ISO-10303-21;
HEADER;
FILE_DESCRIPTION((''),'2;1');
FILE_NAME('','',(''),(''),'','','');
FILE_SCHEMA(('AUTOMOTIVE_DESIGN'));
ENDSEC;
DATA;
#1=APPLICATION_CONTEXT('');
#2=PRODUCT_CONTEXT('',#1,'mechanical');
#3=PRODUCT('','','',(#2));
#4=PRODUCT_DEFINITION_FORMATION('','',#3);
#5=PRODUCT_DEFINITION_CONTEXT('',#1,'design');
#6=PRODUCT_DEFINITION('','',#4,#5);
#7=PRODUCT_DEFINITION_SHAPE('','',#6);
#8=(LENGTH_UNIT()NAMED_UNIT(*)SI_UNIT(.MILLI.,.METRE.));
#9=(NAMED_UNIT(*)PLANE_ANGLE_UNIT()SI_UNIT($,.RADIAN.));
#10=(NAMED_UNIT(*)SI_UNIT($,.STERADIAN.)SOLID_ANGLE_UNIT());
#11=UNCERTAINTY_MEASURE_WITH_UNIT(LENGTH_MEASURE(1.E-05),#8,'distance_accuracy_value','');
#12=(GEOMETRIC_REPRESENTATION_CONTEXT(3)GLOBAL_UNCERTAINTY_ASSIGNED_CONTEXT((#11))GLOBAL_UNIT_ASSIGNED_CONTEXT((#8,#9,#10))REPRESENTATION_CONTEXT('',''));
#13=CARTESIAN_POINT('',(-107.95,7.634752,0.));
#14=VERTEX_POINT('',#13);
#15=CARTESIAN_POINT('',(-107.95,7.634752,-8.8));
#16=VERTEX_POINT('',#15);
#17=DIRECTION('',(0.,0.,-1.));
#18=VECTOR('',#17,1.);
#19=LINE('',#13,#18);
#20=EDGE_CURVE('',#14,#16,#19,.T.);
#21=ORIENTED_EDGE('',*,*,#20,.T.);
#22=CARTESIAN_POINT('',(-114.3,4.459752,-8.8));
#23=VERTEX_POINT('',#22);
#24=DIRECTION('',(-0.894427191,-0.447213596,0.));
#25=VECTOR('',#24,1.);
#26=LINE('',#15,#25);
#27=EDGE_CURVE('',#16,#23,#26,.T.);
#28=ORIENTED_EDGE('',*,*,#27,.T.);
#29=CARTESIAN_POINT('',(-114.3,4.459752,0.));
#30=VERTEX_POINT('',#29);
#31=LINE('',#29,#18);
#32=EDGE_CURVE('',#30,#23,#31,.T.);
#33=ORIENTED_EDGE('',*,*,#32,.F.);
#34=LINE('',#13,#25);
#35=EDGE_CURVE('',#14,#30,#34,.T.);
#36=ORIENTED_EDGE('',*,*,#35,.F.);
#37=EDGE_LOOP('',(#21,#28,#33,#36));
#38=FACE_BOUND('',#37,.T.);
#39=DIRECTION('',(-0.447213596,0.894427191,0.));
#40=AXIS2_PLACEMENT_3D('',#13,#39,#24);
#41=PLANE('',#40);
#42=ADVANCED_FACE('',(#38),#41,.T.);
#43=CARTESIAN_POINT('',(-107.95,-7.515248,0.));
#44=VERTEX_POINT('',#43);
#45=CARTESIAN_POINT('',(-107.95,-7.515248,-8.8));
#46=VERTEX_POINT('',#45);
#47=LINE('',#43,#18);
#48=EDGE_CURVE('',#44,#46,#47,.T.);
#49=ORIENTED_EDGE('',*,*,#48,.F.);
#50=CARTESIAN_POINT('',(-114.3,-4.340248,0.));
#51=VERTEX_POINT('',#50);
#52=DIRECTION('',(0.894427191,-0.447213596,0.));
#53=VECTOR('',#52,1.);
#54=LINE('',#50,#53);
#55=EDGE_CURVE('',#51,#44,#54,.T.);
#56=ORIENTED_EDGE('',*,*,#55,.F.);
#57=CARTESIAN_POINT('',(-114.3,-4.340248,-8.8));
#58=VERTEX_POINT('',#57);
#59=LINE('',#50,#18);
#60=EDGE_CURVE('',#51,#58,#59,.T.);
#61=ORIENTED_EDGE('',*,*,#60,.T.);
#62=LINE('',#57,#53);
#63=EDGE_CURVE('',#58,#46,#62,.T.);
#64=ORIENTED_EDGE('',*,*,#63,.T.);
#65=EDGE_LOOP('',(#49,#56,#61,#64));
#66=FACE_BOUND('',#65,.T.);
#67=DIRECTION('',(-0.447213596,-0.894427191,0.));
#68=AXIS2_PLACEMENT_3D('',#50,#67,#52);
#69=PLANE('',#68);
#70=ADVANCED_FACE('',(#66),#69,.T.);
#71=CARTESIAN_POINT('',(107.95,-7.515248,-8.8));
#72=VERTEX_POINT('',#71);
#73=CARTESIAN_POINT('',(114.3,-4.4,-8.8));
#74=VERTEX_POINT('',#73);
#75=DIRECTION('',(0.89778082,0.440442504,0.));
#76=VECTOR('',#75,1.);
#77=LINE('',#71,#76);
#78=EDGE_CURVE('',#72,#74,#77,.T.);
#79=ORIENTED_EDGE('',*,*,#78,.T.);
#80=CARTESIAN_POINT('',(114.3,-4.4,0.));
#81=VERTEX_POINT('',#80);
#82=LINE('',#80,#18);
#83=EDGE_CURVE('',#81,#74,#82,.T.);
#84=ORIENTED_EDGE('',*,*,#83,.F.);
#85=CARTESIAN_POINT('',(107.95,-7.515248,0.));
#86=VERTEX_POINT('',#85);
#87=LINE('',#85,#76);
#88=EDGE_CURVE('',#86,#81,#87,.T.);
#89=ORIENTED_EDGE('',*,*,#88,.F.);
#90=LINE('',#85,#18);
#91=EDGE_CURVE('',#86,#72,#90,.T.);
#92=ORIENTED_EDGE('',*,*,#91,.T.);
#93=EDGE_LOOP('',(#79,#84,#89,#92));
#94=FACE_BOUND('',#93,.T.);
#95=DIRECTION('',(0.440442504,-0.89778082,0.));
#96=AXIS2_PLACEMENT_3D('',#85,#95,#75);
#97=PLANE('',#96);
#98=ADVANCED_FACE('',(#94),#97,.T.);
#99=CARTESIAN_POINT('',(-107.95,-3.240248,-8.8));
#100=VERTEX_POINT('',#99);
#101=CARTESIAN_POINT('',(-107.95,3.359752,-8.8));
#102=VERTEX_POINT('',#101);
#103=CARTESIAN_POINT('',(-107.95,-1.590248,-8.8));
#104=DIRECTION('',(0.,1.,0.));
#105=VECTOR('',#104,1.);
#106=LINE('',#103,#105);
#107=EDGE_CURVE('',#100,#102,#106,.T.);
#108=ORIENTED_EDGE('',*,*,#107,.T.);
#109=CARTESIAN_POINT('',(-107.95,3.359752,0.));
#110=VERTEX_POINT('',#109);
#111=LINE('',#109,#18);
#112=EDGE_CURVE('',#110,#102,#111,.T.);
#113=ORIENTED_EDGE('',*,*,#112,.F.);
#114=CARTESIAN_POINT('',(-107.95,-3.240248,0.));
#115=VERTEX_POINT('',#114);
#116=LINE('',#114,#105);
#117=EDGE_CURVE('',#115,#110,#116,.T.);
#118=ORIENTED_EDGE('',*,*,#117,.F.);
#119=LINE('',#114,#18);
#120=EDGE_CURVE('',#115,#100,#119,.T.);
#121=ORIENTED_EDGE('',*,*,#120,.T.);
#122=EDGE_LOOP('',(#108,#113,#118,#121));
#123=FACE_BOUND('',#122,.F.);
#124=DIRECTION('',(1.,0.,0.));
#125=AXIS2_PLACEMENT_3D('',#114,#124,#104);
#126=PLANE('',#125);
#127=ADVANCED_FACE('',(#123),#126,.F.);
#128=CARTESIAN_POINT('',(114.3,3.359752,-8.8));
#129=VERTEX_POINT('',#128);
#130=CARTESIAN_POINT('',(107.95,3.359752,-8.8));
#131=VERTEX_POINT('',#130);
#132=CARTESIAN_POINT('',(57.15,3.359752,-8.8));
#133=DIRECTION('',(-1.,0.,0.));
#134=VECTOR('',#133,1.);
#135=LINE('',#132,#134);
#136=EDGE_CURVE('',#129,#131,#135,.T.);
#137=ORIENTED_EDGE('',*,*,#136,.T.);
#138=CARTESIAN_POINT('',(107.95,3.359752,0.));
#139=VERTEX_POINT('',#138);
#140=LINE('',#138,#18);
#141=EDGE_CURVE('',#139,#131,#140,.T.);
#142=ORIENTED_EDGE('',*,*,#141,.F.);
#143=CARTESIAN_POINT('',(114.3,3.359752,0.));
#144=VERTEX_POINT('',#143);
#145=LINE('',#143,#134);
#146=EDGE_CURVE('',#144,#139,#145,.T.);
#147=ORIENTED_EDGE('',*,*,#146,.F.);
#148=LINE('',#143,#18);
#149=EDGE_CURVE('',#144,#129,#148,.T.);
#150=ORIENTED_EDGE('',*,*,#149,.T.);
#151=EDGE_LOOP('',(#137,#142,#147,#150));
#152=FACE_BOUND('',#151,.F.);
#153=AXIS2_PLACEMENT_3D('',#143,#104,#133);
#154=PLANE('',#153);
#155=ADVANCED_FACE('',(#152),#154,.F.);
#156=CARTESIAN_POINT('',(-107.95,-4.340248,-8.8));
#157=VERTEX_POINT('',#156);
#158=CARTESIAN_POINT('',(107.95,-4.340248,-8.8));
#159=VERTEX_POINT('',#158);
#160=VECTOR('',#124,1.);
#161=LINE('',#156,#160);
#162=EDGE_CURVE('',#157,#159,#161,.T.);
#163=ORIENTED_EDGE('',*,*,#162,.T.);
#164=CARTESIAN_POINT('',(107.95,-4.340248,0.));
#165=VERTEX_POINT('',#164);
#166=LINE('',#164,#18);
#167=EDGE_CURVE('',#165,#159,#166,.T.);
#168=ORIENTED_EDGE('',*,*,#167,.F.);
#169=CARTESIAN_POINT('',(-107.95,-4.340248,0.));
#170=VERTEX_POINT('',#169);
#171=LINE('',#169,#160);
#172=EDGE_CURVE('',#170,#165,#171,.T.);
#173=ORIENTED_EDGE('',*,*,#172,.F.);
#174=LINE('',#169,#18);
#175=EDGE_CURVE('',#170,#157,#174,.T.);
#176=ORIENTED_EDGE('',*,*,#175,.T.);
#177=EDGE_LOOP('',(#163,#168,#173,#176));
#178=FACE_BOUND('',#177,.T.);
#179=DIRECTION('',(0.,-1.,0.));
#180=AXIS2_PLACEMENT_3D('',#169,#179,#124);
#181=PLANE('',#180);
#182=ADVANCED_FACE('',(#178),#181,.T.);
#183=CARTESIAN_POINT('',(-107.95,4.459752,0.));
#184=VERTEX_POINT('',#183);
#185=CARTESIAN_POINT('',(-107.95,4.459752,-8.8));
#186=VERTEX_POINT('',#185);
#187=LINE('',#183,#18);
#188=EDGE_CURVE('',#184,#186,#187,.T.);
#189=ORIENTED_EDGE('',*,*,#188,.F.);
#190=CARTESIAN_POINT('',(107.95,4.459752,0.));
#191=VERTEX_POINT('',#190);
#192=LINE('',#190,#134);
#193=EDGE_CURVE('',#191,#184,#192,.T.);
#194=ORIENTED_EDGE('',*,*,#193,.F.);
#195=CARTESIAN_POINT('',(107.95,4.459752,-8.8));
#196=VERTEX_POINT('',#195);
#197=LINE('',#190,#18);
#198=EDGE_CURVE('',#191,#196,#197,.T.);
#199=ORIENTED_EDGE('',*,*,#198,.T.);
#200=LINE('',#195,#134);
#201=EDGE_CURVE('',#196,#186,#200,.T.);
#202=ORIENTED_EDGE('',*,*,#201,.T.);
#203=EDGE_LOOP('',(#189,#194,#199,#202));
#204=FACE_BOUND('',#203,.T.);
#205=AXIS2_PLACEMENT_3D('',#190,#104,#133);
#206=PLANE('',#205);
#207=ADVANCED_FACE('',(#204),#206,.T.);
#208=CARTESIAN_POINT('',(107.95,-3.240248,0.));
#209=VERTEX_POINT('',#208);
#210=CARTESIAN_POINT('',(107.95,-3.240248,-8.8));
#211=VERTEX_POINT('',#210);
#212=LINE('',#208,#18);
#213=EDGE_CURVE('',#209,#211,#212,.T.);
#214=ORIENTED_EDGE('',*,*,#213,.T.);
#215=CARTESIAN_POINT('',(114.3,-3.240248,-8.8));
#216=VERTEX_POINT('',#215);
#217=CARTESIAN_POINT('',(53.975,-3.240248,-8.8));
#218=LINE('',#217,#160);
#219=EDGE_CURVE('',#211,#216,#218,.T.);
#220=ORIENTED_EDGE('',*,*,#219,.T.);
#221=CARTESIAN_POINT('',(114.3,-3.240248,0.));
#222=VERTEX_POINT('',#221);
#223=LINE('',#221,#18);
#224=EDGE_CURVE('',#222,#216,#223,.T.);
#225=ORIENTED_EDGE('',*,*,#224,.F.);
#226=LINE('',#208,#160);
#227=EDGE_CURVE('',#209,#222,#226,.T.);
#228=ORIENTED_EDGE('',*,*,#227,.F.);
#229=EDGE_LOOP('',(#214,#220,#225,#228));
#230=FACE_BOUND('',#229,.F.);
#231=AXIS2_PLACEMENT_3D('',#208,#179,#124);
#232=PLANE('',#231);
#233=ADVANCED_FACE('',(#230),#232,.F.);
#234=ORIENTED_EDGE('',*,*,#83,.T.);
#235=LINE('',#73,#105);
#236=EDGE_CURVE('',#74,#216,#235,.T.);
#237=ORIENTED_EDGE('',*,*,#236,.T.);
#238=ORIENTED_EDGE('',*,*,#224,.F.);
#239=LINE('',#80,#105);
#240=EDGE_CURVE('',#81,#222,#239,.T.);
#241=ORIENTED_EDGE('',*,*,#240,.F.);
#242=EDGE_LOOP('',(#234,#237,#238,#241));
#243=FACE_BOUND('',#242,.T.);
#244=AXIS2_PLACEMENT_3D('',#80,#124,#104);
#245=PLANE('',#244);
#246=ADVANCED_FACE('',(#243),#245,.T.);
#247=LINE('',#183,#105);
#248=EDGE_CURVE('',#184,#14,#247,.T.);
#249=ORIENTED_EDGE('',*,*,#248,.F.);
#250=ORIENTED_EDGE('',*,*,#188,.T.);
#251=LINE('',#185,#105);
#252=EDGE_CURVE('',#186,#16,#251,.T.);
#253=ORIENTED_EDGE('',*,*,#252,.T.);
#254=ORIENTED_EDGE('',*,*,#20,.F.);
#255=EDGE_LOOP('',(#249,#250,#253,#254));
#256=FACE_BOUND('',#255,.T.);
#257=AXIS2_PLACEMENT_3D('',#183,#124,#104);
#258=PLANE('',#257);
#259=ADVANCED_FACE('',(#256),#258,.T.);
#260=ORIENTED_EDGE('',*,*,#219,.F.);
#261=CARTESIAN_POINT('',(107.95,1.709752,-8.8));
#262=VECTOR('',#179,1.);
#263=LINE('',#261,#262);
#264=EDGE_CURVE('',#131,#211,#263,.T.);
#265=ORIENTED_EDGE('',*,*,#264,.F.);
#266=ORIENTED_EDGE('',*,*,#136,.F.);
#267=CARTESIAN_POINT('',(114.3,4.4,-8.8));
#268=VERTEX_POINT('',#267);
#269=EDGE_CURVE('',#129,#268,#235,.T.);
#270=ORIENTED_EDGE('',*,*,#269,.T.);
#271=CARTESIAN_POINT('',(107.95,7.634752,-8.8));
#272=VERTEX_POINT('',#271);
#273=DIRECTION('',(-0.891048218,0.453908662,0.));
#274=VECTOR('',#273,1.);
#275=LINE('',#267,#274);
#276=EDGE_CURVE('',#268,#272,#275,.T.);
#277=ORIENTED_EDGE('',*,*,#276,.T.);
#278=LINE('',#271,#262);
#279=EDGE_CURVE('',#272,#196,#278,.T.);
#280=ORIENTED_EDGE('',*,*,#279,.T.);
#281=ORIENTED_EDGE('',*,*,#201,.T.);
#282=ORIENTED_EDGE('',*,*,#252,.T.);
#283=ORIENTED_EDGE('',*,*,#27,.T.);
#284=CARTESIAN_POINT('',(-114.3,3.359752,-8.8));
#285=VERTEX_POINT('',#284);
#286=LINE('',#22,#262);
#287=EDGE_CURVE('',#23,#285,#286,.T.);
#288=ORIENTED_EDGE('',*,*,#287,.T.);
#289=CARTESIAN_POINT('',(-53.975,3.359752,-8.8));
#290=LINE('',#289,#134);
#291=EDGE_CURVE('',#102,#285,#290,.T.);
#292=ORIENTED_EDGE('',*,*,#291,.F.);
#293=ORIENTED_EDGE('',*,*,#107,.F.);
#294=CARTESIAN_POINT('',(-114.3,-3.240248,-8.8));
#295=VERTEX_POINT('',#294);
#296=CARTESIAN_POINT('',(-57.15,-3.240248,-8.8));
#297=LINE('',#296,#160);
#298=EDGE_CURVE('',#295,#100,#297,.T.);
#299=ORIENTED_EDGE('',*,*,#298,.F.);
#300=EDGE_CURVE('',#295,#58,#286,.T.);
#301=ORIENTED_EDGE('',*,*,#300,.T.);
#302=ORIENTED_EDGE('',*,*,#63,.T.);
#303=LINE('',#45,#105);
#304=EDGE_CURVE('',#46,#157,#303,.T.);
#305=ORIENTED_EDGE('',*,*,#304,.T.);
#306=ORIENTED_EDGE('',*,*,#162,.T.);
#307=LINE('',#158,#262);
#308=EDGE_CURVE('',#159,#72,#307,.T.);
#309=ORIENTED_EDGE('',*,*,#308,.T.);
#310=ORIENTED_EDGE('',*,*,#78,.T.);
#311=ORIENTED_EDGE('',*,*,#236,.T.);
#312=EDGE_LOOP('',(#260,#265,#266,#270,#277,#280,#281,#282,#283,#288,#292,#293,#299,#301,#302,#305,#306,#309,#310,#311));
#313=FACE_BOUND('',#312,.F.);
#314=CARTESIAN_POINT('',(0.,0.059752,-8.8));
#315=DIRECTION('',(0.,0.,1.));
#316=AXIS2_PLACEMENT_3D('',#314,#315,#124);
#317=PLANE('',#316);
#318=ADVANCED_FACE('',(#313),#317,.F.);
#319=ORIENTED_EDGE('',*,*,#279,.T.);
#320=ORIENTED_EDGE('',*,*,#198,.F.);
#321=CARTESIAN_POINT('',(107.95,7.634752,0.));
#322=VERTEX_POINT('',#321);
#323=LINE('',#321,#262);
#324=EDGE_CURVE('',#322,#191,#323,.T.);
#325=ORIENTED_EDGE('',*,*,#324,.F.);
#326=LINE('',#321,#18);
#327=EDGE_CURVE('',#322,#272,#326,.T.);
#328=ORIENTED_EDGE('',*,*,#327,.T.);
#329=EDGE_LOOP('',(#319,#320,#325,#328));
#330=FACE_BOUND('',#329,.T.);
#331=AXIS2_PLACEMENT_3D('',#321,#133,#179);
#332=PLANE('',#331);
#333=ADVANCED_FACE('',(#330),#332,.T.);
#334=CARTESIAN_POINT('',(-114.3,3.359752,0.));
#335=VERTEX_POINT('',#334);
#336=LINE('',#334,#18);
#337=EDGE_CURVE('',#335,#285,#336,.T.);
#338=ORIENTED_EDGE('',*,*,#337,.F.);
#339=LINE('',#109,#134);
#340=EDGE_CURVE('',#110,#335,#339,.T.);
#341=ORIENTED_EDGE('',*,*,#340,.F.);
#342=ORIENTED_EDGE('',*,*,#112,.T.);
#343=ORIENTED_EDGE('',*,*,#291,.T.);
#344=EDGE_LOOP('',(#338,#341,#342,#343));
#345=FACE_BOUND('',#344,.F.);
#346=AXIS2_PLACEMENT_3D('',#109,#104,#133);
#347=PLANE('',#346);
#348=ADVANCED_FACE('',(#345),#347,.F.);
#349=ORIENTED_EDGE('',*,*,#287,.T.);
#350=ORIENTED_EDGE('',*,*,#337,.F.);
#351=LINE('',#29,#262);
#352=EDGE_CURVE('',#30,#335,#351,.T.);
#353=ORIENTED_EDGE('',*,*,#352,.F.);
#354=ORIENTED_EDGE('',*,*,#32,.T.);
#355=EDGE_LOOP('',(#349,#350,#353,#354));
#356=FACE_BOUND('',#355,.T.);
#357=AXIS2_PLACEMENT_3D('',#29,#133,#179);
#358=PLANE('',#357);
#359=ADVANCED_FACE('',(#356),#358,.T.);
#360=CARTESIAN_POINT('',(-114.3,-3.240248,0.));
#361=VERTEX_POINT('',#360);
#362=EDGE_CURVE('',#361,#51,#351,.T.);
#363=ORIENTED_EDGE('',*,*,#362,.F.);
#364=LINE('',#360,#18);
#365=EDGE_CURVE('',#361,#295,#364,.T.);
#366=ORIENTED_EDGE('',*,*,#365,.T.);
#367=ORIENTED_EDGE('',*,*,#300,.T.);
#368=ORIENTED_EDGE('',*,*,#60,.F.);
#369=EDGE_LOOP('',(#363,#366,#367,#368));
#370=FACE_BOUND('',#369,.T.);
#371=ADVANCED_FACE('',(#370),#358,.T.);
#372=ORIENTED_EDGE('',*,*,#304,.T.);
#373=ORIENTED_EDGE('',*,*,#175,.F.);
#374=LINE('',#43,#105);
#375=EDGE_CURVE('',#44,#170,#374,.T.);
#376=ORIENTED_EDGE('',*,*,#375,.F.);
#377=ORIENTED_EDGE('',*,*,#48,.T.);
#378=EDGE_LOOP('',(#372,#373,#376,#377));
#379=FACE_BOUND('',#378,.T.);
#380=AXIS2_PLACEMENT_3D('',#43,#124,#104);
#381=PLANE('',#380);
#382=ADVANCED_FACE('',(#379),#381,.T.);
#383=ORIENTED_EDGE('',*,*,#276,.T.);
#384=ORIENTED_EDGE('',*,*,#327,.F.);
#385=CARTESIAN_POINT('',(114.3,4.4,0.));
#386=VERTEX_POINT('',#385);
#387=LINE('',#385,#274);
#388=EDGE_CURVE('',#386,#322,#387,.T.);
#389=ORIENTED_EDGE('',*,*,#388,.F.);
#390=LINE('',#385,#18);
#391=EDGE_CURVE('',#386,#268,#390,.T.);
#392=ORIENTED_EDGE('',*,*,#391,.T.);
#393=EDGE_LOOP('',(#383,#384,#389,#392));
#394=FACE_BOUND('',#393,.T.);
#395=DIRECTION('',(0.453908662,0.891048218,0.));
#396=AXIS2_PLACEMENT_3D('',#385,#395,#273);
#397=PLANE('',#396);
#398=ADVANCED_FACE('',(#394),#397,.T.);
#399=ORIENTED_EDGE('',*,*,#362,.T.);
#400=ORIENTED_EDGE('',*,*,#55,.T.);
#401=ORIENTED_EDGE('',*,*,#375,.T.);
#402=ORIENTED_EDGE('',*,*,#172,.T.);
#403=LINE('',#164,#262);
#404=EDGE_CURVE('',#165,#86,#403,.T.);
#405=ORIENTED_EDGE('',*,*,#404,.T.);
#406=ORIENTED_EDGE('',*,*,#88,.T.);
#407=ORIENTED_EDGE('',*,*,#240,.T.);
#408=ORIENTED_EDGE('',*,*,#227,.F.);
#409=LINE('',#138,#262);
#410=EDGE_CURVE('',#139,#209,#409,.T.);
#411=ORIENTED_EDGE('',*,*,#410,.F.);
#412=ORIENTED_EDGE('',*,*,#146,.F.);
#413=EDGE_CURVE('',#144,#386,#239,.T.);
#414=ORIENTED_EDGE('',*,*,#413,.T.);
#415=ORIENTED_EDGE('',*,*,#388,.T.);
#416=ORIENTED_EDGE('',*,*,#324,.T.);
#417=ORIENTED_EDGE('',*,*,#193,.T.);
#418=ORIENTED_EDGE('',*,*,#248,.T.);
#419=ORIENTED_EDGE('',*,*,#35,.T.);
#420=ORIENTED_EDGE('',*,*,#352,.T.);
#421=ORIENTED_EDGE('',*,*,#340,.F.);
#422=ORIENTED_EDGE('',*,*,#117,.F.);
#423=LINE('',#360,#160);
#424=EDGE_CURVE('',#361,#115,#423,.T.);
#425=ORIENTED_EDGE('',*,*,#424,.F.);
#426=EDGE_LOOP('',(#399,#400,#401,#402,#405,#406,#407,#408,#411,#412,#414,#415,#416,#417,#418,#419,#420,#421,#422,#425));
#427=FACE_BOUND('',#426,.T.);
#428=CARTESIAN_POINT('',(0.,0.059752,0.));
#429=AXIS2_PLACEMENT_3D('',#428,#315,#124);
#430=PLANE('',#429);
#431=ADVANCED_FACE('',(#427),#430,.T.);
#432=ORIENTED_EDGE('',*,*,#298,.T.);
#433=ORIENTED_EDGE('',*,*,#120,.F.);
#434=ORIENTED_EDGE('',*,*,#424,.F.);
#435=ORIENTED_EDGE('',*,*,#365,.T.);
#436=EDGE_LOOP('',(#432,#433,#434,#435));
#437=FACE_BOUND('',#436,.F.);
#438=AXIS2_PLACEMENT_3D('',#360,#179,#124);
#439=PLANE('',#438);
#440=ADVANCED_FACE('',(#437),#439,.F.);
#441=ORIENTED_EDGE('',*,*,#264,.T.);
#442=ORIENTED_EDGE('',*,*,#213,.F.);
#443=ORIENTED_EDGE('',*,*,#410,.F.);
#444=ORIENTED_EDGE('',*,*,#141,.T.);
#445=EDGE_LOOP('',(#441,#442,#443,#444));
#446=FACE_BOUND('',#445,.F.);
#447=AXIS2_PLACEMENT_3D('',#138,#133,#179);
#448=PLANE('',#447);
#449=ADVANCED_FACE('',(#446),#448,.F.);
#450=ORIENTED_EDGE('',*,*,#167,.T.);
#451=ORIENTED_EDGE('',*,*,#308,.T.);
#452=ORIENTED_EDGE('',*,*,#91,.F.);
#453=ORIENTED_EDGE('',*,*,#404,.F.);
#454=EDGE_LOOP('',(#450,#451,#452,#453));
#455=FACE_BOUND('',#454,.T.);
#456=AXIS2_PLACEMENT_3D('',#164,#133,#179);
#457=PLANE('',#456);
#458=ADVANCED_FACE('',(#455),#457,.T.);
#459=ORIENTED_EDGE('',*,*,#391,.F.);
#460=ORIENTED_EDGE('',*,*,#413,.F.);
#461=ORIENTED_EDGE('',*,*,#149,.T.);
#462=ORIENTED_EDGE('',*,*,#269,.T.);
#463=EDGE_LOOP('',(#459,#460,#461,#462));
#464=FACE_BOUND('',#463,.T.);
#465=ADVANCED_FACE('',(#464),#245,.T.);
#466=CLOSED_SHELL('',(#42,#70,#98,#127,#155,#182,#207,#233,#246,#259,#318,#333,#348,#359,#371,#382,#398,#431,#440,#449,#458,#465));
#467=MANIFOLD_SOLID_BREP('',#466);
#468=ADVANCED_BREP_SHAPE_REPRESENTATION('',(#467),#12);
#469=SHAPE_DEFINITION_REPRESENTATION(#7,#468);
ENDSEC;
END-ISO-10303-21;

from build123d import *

# Parameters (mm, degrees)
F1_DEPTH = 8.8
F2_DEPTH = 25
F3_DEPTH = 25


with BuildPart() as f1:
    # F0 (on Top) → F1 (new body)
    with BuildSketch(Plane.XY):
        Polygon((107.95, 4.459752), (0, 4.459752), (-107.95, 4.459752), (-107.95, 3.359752), (-107.95, -3.240248), (-107.95, -4.340248), (107.95, -4.340248), (107.95, -3.240248), (107.95, 0), (107.95, 0.059752), (107.95, 3.359752), align=None)
        Polygon((-107.95, 3.359752), (-107.95, 4.459752), (-107.95, 7.634752), (-114.3, 4.459752), (-114.3, 3.359752), align=None)
        Polygon((107.95, 7.634752), (107.95, 4.459752), (107.95, 3.359752), (114.3, 3.359752), (114.3, 4.4), align=None)
        Polygon((-107.95, -3.240248), (-107.95, 3.359752), (-114.3, 3.359752), (-114.3, 0.059752), (-114.3, -3.240248), align=None)
        Polygon((114.3, 3.359752), (107.95, 3.359752), (107.95, 0.059752), (107.95, 0), (107.95, -3.240248), (114.3, -3.240248), (114.3, 0), align=None)
        Polygon((-107.95, -4.340248), (-107.95, -3.240248), (-114.3, -3.240248), (-114.3, -4.340248), (-107.95, -7.515248), align=None)
        Polygon((107.95, -3.240248), (107.95, -4.340248), (107.95, -7.515248), (114.3, -4.4), (114.3, -3.240248), align=None)
    extrude(amount=-F1_DEPTH)

    # F0 (on Top) → F2 (cut)
    with BuildSketch(Plane.XY):
        Polygon((-107.95, -3.240248), (-107.95, 3.359752), (-114.3, 3.359752), (-114.3, 0.059752), (-114.3, -3.240248), align=None)
    extrude(amount=-F2_DEPTH, mode=Mode.SUBTRACT)

    # F0 (on Top) → F3 (cut)
    with BuildSketch(Plane.XY):
        Polygon((114.3, 3.359752), (107.95, 3.359752), (107.95, 0.059752), (107.95, 0), (107.95, -3.240248), (114.3, -3.240248), (114.3, 0), align=None)
    extrude(amount=-F3_DEPTH, mode=Mode.SUBTRACT)


solid = f1.part
